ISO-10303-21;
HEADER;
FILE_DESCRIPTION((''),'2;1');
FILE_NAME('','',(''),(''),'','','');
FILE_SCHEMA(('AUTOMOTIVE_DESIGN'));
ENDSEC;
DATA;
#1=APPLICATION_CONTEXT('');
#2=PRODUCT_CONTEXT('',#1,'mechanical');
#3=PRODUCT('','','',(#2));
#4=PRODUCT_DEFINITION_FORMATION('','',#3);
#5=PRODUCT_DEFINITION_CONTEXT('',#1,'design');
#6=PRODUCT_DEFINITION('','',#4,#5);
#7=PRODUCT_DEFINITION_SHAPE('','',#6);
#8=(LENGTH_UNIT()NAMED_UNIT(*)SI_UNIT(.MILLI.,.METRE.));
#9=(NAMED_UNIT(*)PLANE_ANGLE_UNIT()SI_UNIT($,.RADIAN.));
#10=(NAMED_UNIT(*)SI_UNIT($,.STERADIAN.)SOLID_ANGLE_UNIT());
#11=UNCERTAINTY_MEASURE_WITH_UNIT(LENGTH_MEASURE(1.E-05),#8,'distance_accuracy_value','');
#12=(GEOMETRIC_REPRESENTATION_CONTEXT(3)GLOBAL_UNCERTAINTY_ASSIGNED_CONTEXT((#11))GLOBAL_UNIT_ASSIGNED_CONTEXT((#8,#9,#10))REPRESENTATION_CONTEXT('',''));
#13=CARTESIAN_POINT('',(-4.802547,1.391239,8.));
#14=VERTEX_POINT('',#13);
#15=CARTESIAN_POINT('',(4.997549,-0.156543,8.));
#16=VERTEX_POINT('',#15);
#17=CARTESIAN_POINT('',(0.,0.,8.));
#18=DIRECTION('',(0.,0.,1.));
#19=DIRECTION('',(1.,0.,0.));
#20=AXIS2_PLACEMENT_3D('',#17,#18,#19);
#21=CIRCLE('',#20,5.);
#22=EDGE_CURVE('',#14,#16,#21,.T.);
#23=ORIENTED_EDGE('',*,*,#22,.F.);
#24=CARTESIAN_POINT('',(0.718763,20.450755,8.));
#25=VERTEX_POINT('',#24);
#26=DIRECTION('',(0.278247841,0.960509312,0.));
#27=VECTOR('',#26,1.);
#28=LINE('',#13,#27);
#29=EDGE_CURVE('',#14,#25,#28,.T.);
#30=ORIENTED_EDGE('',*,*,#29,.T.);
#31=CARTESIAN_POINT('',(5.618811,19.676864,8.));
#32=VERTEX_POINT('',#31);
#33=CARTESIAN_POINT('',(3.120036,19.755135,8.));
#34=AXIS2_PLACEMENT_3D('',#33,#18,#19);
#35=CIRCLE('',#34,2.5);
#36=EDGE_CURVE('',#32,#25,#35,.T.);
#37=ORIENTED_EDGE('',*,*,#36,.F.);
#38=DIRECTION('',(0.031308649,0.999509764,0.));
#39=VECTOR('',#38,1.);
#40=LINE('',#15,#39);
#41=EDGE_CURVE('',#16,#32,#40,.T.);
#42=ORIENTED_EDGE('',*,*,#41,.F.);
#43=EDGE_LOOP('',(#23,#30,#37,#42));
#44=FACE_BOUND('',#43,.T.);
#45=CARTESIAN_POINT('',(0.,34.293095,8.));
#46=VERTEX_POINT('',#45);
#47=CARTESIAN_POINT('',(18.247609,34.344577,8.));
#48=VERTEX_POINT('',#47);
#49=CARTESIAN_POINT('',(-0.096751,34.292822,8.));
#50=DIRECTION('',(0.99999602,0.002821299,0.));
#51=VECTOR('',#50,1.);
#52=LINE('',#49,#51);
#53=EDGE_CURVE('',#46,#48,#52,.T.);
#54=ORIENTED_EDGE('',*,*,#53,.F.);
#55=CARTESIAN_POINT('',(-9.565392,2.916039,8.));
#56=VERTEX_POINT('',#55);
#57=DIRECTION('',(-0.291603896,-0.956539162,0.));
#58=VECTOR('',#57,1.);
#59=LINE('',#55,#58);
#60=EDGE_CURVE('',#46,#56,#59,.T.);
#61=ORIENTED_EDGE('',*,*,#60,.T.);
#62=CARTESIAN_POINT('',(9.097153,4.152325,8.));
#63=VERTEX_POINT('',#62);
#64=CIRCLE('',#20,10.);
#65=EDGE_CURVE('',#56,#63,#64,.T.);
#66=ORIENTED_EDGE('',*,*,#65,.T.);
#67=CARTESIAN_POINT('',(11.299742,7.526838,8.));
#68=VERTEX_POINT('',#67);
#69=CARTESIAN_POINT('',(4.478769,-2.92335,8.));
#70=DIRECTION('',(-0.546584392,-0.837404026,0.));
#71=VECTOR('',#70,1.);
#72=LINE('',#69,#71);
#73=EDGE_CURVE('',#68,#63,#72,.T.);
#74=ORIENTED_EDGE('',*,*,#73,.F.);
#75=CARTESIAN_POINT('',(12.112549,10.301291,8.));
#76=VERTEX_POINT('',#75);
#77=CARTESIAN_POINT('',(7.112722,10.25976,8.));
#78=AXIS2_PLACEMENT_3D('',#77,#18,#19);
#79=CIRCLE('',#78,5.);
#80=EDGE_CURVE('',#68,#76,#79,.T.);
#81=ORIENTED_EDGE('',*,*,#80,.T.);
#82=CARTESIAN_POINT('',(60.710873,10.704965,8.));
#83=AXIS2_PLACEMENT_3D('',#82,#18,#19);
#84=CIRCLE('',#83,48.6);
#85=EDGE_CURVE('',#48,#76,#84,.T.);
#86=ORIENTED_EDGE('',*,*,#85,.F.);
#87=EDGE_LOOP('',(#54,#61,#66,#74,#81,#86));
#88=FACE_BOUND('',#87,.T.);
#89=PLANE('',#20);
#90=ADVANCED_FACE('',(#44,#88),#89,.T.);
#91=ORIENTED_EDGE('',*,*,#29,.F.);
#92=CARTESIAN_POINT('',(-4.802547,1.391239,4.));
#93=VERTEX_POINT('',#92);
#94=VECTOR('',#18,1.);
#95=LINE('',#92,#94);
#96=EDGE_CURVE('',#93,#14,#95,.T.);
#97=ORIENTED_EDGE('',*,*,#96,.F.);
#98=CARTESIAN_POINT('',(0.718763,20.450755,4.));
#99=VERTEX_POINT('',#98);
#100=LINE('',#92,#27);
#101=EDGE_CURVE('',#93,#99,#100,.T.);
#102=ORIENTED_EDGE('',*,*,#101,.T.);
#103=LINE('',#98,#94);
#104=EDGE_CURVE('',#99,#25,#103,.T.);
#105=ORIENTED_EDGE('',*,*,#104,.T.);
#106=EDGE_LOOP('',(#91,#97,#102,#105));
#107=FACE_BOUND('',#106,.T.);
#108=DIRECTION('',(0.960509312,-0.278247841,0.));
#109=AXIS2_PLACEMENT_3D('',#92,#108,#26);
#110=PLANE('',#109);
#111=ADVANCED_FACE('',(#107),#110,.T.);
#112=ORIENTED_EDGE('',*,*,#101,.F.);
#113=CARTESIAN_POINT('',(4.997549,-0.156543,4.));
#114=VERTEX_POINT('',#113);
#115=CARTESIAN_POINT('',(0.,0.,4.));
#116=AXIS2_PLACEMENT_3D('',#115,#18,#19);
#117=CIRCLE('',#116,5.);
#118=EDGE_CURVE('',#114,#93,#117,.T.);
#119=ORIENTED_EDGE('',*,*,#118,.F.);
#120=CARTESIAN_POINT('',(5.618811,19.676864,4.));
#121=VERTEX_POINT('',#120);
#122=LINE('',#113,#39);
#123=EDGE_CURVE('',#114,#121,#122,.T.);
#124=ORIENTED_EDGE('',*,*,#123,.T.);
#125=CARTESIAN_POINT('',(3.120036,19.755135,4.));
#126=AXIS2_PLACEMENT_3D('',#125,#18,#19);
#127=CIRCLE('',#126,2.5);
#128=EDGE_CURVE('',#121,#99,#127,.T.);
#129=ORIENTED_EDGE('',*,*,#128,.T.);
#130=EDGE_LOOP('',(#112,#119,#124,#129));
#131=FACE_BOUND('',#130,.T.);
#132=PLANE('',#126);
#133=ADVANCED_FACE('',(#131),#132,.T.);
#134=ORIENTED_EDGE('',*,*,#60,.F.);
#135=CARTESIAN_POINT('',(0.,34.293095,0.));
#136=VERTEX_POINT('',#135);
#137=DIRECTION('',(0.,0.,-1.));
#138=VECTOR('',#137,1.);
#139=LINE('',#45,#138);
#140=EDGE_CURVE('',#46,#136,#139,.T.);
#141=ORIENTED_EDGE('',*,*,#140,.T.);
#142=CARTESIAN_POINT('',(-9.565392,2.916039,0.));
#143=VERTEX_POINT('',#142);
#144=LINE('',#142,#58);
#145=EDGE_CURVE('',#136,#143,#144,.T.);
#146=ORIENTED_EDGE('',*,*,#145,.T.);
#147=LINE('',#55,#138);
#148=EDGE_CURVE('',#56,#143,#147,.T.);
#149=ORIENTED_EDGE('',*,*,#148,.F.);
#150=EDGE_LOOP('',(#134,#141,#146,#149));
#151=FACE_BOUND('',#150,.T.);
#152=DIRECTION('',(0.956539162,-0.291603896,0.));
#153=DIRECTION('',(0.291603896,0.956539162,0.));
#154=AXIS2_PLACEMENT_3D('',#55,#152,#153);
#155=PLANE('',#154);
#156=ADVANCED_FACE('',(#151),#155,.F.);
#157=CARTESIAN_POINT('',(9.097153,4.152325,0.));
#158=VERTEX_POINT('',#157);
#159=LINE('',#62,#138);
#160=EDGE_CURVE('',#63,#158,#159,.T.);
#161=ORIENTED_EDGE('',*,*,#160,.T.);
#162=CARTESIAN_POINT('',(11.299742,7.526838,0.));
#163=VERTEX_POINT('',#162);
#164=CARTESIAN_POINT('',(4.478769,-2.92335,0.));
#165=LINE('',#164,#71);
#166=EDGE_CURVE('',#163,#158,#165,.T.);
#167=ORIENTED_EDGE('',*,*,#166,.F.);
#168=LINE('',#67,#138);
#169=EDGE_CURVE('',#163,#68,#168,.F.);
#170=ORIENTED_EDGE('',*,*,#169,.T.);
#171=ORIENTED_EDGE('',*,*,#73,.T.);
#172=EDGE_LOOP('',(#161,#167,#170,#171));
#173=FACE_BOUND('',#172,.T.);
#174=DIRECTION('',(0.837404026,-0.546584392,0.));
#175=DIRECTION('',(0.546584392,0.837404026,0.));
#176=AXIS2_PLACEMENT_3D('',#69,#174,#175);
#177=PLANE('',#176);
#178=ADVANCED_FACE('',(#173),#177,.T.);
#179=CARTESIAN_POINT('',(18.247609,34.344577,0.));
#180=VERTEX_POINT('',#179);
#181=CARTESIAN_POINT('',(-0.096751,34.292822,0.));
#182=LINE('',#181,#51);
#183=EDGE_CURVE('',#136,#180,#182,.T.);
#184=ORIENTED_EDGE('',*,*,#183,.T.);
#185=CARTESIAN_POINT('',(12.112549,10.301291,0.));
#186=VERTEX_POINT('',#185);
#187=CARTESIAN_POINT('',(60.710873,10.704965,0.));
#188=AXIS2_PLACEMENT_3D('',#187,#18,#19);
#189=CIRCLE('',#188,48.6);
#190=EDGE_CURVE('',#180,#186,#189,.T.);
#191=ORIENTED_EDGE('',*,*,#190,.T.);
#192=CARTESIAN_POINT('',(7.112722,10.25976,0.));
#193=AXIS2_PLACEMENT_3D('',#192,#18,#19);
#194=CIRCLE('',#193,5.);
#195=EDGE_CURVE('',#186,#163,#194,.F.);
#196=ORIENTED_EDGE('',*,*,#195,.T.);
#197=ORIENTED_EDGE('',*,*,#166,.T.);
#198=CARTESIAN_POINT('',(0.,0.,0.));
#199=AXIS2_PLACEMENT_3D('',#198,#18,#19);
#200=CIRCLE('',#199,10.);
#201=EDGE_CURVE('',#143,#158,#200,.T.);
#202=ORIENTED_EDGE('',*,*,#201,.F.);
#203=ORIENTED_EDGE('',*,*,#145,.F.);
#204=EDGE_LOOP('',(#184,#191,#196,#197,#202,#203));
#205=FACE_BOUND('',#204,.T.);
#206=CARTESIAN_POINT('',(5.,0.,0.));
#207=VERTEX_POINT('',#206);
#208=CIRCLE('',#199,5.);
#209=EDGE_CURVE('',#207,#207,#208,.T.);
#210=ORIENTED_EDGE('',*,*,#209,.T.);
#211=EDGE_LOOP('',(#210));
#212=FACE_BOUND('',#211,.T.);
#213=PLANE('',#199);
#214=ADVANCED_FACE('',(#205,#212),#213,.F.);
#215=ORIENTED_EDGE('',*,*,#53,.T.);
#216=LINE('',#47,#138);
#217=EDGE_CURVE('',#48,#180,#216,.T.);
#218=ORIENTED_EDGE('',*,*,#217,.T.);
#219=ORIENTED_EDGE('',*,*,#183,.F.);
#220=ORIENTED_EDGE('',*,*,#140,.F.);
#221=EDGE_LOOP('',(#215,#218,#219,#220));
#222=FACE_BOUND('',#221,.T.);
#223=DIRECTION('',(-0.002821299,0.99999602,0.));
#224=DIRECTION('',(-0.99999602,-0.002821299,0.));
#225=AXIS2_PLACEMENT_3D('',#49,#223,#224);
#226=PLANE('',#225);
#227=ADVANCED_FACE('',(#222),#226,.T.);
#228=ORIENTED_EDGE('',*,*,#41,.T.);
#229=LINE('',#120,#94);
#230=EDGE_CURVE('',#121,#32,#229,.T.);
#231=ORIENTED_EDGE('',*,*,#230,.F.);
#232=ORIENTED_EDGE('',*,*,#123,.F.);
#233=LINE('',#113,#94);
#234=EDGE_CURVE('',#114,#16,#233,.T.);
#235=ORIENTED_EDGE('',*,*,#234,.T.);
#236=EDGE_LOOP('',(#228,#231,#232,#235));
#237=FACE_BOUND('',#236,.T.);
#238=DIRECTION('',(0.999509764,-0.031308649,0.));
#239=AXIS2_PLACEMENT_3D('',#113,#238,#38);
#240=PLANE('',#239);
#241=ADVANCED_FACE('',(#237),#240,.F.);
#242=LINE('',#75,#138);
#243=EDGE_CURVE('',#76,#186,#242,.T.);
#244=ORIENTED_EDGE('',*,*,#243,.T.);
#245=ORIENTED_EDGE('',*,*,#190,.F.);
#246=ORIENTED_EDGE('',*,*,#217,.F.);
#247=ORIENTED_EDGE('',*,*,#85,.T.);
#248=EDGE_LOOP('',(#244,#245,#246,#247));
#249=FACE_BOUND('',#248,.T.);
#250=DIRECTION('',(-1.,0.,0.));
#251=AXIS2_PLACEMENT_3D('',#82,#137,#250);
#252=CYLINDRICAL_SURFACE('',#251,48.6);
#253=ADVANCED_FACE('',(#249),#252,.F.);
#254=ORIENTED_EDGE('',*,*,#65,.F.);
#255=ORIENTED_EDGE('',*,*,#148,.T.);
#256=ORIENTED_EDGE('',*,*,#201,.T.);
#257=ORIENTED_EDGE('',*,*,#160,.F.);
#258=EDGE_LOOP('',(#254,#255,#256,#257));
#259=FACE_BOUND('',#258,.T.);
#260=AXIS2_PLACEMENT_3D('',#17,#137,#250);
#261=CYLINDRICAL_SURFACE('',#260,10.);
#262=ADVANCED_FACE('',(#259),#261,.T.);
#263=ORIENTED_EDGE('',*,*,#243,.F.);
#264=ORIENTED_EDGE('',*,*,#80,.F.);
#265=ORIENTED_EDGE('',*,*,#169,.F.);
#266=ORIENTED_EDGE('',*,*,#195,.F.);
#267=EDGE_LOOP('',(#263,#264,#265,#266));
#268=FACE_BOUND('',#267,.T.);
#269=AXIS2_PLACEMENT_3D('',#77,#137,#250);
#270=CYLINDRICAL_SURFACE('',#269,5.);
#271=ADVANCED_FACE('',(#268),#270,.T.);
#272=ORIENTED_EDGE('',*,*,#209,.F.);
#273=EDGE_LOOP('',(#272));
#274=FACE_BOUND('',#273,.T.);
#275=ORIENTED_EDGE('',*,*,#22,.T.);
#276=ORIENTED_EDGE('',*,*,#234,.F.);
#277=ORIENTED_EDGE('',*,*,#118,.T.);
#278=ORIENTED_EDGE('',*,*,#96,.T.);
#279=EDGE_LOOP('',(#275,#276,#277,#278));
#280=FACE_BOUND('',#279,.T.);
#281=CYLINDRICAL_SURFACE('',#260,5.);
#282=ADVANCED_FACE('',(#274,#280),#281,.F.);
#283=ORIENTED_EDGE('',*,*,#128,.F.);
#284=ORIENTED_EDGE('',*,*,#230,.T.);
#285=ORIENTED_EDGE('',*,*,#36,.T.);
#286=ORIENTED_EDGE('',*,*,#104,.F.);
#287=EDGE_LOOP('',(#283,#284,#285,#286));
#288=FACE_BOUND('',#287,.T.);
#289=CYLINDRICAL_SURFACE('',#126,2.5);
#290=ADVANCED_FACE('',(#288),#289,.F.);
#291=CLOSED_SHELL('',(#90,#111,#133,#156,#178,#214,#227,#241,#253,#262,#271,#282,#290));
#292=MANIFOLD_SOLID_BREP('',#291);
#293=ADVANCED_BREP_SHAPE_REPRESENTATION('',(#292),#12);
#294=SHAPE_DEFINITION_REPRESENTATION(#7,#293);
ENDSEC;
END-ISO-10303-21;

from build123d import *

# Parameters (mm, degrees)
SKETCH1_R           = 2.5
BOSS_EXTRUDE1_DEPTH = 8
CUT_EXTRUDE1_START  = 4
CUT_EXTRUDE1_DEPTH  = 4
FILLET1_R           = 5


with BuildPart() as part:
    # Sketch1 → Boss-Extrude1 (new body)
    with BuildSketch(Plane.XY):
        with BuildLine():
            ThreePointArc((9.097153376, 4.152324704), (7.50458322, 6.609177763), (5.268689672, 8.499465227))
            Line((5.268689672, 8.499465227), (4.99754882, -0.156543244))
            ThreePointArc((4.99754882, -0.156543244), (-0.780009037, -4.938783848), (-4.802546561, 1.391239206))
            Line((-4.802546561, 1.391239206), (-2.392849571, 9.709493855))
            ThreePointArc((-2.392849571, 9.709493855), (-6.876600935, 7.260327787), (-9.565391616, 2.916038962))
            ThreePointArc((-9.565391616, 2.916038962), (-1.474124119, -9.890751138), (10, 0))
            ThreePointArc((10, 0), (9.771681886, 2.124672473), (9.097153376, 4.152324704))
        make_face()
        with BuildLine():
            Line((4.99754882, -0.156543244), (5.268689672, 8.499465227))
            ThreePointArc((5.268689672, 8.499465227), (1.560018074, 9.877567697), (-2.392849571, 9.709493855))
            Line((-2.392849571, 9.709493855), (-4.802546561, 1.391239206))
            ThreePointArc((-4.802546561, 1.391239206), (0.702590633, 4.95039053), (5, 0))
            ThreePointArc((5, 0), (4.999387168, -0.078281216), (4.99754882, -0.156543244))
        make_face()
        with BuildLine():
            ThreePointArc((5.620036149, 19.755135394), (5.619729732, 19.715994786), (5.618810559, 19.676863772))
            Line((5.618810559, 19.676863772), (5.268689672, 8.499465227))
            ThreePointArc((5.268689672, 8.499465227), (7.50458322, 6.609177763), (9.097153376, 4.152324704))
            Line((9.097153376, 4.152324704), (12.147237195, 8.825258116))
            ThreePointArc((12.147237195, 8.825258116), (13.442669974, 22.004389763), (18.247609257, 34.344576778))
            Line((18.247609257, 34.344576778), (0, 34.293094604))
            Line((0, 34.293094604), (-9.565391616, 2.916038962))
            ThreePointArc((-9.565391616, 2.916038962), (-6.876600935, 7.260327787), (-2.392849571, 9.709493855))
            Line((-2.392849571, 9.709493855), (0.718762868, 20.450754997))
            ThreePointArc((0.718762868, 20.450754997), (3.471331465, 22.230330659), (5.620036149, 19.755135394))
        make_face()
        with BuildLine():
            Line((5.268689672, 8.499465227), (5.618810559, 19.676863772))
            ThreePointArc((5.618810559, 19.676863772), (2.73003163, 17.28574347), (0.718762868, 20.450754997))
            Line((0.718762868, 20.450754997), (-2.392849571, 9.709493855))
            ThreePointArc((-2.392849571, 9.709493855), (1.560018074, 9.877567697), (5.268689672, 8.499465227))
        make_face()
        with Locations((3.120036149, 19.755135394)):
            Circle(SKETCH1_R)
    extrude(amount=BOSS_EXTRUDE1_DEPTH)

    # Sketch1<3> → Cut-Extrude1 (cut)
    with BuildSketch(Plane.XY.offset(CUT_EXTRUDE1_START)):
        with BuildLine():
            ThreePointArc((5.618810559, 19.676863772), (3.510040667, 22.224527318), (0.718762868, 20.450754997))
            Line((0.718762868, 20.450754997), (-4.802546561, 1.391239206))
            ThreePointArc((-4.802546561, 1.391239206), (0.780009037, 4.938783848), (4.99754882, -0.156543244))
            Line((4.99754882, -0.156543244), (5.618810559, 19.676863772))
        make_face()
    extrude(amount=CUT_EXTRUDE1_DEPTH, mode=Mode.SUBTRACT)

    # Fillet1
    fillet1_edges = [part.edges().sort_by_distance(p)[0] for p in [
        (12.147237195, 8.825258116, 4),
    ]]
    fillet(fillet1_edges, radius=FILLET1_R)


solid = part.part
